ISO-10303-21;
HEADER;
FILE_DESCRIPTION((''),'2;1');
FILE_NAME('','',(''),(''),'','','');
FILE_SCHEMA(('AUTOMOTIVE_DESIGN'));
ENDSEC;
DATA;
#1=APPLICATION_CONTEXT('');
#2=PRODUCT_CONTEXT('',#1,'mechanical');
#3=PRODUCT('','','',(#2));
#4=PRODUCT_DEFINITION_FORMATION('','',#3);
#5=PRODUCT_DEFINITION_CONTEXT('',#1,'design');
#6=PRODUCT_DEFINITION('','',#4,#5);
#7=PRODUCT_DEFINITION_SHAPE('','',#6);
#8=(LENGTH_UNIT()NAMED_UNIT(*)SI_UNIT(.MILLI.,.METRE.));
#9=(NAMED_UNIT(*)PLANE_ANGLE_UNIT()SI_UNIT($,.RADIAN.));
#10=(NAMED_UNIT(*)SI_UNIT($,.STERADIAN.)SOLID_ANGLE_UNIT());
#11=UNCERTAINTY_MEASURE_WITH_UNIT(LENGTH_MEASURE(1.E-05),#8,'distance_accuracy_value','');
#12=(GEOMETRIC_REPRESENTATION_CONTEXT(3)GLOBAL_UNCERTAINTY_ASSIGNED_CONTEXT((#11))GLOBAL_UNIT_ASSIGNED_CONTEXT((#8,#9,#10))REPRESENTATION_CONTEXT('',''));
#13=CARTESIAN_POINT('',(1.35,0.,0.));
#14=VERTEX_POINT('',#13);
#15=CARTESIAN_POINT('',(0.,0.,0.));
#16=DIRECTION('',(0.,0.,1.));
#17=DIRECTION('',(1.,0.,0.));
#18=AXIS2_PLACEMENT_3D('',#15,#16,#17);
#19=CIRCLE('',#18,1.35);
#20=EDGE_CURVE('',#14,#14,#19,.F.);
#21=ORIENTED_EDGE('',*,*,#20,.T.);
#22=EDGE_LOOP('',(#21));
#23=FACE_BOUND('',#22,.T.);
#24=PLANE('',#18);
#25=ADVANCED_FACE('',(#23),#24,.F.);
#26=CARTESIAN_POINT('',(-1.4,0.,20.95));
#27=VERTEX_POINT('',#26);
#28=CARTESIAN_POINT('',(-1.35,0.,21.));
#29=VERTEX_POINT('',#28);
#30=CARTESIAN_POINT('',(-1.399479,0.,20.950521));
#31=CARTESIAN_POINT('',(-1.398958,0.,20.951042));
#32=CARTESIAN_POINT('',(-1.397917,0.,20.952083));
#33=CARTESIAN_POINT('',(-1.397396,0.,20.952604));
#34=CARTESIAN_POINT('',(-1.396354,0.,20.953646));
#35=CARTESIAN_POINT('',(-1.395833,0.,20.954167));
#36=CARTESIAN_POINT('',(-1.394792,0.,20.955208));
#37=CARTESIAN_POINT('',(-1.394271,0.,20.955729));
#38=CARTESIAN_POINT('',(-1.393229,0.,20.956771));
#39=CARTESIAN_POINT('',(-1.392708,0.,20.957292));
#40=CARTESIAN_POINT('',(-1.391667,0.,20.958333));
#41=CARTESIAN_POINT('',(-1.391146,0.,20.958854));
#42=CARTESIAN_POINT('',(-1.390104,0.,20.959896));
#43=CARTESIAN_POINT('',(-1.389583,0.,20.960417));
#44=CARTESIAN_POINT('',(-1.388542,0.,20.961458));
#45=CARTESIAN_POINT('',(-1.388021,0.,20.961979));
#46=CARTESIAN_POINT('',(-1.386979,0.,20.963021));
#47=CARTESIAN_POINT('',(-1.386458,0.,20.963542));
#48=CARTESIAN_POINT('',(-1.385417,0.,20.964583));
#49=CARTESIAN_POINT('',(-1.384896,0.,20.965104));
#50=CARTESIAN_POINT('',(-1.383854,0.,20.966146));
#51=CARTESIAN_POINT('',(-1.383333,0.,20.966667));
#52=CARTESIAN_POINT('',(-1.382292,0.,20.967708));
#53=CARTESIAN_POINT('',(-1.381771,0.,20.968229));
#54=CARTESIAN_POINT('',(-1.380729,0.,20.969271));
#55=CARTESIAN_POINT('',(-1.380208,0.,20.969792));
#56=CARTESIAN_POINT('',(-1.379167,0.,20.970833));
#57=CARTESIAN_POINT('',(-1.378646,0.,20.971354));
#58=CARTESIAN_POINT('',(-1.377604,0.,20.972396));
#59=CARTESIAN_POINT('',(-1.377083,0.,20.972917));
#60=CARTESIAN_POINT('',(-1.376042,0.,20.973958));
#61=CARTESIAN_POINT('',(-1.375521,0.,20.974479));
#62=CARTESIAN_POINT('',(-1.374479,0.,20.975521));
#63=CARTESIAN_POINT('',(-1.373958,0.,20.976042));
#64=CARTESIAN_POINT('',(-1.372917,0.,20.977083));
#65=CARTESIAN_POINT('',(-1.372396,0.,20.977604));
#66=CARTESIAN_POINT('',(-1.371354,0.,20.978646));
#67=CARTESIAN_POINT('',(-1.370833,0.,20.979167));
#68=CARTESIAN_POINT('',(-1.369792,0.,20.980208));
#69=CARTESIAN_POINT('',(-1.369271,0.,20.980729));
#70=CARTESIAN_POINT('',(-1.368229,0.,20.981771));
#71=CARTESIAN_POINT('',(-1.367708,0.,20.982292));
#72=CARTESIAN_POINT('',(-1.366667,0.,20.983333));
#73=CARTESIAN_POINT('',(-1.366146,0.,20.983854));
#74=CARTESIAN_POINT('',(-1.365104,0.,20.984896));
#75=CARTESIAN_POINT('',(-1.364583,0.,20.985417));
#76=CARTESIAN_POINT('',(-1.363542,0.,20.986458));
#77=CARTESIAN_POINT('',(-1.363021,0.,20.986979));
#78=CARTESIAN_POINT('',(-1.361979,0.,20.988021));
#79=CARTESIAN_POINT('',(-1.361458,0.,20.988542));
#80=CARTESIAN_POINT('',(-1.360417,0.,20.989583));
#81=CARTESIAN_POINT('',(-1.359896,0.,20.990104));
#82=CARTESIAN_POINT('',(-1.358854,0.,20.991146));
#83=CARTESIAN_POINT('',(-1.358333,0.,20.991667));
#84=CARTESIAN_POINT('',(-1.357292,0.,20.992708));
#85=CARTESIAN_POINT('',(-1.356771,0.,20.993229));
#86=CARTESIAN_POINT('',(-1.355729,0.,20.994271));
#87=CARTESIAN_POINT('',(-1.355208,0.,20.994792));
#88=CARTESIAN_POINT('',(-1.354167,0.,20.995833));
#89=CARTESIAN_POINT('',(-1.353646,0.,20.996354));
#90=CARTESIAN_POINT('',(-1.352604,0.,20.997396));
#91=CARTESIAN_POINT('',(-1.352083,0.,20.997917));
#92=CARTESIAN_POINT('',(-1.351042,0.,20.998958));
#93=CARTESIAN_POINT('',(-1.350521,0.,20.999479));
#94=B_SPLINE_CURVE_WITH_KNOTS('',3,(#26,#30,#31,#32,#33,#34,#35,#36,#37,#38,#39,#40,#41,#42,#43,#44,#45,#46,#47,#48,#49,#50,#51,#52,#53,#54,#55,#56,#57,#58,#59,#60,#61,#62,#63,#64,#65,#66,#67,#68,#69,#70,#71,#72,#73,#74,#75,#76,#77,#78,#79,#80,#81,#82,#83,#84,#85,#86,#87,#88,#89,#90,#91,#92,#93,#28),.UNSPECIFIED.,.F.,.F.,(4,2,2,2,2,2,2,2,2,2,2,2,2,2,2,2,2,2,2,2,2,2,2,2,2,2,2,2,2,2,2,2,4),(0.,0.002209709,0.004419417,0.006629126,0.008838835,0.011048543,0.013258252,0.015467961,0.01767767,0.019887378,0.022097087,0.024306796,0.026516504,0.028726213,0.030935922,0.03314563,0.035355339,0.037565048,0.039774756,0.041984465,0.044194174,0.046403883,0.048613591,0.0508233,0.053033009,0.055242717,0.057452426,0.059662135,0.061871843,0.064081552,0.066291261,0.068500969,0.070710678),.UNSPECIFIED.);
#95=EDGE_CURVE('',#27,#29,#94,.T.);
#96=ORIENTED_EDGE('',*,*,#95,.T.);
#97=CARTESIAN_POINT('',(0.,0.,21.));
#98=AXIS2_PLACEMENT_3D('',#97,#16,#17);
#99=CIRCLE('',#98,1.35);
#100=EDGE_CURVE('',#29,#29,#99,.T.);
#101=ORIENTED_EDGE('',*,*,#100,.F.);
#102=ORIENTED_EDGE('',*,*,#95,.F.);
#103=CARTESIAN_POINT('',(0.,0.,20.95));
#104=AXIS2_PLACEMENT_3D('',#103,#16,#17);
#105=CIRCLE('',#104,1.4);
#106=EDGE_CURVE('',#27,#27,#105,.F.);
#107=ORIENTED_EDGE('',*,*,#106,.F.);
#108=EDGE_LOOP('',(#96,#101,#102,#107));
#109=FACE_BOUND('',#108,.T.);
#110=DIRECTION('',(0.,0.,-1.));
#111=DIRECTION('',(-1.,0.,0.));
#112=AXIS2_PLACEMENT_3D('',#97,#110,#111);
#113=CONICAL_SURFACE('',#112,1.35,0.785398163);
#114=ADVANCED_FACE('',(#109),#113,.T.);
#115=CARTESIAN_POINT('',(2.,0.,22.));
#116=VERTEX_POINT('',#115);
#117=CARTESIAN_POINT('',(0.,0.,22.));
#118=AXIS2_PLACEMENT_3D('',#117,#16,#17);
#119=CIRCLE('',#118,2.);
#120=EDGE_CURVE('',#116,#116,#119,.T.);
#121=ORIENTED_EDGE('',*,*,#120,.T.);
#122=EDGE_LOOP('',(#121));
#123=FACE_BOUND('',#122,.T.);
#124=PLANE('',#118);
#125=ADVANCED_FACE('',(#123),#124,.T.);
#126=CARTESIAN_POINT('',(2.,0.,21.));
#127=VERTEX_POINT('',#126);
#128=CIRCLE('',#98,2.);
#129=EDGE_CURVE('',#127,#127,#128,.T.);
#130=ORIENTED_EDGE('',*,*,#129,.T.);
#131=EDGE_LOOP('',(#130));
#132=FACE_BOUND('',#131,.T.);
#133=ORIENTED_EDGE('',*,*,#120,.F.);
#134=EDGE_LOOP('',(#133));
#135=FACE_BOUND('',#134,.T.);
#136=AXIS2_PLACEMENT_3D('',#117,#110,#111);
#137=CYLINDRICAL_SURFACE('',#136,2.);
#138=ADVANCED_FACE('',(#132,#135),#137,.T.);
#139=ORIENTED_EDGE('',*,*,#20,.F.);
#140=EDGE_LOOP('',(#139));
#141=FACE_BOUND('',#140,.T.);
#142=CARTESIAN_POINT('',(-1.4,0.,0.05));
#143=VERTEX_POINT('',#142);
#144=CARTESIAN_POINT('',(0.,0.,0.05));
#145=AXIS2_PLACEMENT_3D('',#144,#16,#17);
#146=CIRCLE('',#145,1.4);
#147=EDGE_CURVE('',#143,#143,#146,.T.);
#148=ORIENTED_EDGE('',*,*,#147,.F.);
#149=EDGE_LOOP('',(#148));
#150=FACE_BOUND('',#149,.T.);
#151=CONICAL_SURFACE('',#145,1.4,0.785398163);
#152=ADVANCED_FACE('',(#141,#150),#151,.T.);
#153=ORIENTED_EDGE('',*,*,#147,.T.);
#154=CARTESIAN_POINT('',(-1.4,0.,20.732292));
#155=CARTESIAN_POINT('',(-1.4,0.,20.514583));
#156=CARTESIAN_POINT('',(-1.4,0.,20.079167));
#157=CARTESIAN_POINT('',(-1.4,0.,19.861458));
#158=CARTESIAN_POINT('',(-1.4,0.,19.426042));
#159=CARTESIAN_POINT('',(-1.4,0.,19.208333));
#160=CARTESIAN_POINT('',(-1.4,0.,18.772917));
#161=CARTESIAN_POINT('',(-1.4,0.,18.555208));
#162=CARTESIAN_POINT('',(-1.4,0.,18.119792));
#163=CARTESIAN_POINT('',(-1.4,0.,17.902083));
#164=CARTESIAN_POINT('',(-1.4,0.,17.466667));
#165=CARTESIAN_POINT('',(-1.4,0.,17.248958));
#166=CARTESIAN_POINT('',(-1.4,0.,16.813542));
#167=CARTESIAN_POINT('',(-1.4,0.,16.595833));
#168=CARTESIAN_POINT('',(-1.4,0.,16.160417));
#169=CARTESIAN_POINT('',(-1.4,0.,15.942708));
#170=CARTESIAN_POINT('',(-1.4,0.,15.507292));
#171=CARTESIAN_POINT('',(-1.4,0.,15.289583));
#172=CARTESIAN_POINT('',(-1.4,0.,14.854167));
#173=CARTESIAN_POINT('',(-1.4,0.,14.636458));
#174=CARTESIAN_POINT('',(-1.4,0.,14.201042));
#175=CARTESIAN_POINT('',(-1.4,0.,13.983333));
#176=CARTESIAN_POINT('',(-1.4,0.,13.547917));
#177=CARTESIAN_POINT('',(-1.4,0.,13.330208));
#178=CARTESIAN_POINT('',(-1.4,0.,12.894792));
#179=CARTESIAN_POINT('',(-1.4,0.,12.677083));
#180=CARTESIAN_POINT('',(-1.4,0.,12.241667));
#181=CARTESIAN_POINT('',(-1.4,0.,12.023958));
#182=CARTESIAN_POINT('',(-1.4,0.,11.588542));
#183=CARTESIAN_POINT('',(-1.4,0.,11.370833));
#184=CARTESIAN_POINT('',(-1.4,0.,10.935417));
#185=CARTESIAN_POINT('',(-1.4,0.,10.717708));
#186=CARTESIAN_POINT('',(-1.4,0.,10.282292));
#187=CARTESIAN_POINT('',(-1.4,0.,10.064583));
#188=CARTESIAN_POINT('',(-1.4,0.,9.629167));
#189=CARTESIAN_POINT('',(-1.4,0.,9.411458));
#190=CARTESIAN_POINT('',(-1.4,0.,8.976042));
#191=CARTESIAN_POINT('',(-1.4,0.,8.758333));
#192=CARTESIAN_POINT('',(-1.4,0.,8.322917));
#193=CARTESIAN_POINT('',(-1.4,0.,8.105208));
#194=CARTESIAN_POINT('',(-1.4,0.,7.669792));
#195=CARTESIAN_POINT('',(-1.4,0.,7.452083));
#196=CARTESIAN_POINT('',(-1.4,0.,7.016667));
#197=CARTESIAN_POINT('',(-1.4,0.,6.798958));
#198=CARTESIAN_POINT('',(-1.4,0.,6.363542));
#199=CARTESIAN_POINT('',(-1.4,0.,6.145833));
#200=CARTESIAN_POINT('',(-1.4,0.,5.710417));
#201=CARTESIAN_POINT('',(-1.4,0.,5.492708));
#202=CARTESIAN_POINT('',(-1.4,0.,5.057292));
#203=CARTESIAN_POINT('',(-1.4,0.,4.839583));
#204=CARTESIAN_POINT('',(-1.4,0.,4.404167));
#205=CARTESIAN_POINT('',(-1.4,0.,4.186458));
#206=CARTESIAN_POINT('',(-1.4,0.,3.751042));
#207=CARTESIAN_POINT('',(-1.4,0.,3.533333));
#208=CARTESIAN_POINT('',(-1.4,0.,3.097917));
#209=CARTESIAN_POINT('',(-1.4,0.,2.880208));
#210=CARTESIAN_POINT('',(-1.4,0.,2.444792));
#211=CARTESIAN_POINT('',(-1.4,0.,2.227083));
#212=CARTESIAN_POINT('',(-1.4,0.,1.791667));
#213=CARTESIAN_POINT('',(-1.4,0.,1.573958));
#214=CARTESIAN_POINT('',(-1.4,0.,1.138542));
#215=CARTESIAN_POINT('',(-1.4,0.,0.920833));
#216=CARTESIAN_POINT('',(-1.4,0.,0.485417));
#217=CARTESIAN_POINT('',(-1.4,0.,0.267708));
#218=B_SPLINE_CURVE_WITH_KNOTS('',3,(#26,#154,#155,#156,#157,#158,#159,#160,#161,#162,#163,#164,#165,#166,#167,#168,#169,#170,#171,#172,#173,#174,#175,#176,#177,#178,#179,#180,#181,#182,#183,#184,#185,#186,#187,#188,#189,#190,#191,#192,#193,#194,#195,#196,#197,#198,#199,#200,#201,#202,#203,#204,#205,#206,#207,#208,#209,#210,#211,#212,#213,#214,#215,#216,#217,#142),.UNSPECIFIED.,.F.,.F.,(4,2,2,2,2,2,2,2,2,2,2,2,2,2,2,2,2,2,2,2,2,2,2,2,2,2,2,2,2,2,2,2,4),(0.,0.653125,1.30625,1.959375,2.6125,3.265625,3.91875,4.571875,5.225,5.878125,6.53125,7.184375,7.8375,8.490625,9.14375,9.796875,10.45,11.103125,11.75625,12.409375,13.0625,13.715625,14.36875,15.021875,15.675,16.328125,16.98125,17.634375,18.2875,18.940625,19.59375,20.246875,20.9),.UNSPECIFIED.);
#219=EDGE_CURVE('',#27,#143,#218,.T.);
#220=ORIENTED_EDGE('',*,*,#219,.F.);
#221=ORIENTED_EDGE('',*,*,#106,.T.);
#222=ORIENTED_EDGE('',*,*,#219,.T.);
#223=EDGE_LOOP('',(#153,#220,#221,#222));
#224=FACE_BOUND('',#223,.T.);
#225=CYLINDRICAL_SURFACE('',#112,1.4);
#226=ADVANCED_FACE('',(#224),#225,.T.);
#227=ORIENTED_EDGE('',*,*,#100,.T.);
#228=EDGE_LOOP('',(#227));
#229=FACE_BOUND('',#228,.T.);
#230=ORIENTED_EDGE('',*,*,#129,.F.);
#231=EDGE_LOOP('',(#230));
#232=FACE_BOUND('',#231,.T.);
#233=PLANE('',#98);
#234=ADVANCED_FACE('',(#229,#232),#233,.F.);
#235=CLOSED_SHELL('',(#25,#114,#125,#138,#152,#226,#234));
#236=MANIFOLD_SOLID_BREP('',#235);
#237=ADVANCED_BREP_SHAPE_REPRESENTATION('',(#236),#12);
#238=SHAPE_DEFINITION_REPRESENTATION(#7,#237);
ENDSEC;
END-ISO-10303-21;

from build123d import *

# Parameters (mm, degrees)
SKETCH2_R           = 1.4
BOSS_EXTRUDE1_DEPTH = 21
CHAMFER2_SIZE       = 0.05
SKETCH3_R           = 2
BOSS_EXTRUDE2_DEPTH = 1


with BuildPart() as part:
    # Sketch2 → Boss-Extrude1 (new body)
    with BuildSketch(Plane.XY):
        with Locations(Location((0, 0, 0), (0, 0, 180))):
            Circle(SKETCH2_R)
    extrude(amount=BOSS_EXTRUDE1_DEPTH)

    # Chamfer2
    chamfer2_edges = [part.edges().sort_by_distance(p)[0] for p in [
        (1.4, 0, 0),
        (1.4, 0, 21),
    ]]
    chamfer(chamfer2_edges, length=CHAMFER2_SIZE)

    # Sketch3 → Boss-Extrude2 (add)
    with BuildSketch(Plane.XY.offset(21)):
        Circle(SKETCH3_R)
    extrude(amount=BOSS_EXTRUDE2_DEPTH)


solid = part.part
